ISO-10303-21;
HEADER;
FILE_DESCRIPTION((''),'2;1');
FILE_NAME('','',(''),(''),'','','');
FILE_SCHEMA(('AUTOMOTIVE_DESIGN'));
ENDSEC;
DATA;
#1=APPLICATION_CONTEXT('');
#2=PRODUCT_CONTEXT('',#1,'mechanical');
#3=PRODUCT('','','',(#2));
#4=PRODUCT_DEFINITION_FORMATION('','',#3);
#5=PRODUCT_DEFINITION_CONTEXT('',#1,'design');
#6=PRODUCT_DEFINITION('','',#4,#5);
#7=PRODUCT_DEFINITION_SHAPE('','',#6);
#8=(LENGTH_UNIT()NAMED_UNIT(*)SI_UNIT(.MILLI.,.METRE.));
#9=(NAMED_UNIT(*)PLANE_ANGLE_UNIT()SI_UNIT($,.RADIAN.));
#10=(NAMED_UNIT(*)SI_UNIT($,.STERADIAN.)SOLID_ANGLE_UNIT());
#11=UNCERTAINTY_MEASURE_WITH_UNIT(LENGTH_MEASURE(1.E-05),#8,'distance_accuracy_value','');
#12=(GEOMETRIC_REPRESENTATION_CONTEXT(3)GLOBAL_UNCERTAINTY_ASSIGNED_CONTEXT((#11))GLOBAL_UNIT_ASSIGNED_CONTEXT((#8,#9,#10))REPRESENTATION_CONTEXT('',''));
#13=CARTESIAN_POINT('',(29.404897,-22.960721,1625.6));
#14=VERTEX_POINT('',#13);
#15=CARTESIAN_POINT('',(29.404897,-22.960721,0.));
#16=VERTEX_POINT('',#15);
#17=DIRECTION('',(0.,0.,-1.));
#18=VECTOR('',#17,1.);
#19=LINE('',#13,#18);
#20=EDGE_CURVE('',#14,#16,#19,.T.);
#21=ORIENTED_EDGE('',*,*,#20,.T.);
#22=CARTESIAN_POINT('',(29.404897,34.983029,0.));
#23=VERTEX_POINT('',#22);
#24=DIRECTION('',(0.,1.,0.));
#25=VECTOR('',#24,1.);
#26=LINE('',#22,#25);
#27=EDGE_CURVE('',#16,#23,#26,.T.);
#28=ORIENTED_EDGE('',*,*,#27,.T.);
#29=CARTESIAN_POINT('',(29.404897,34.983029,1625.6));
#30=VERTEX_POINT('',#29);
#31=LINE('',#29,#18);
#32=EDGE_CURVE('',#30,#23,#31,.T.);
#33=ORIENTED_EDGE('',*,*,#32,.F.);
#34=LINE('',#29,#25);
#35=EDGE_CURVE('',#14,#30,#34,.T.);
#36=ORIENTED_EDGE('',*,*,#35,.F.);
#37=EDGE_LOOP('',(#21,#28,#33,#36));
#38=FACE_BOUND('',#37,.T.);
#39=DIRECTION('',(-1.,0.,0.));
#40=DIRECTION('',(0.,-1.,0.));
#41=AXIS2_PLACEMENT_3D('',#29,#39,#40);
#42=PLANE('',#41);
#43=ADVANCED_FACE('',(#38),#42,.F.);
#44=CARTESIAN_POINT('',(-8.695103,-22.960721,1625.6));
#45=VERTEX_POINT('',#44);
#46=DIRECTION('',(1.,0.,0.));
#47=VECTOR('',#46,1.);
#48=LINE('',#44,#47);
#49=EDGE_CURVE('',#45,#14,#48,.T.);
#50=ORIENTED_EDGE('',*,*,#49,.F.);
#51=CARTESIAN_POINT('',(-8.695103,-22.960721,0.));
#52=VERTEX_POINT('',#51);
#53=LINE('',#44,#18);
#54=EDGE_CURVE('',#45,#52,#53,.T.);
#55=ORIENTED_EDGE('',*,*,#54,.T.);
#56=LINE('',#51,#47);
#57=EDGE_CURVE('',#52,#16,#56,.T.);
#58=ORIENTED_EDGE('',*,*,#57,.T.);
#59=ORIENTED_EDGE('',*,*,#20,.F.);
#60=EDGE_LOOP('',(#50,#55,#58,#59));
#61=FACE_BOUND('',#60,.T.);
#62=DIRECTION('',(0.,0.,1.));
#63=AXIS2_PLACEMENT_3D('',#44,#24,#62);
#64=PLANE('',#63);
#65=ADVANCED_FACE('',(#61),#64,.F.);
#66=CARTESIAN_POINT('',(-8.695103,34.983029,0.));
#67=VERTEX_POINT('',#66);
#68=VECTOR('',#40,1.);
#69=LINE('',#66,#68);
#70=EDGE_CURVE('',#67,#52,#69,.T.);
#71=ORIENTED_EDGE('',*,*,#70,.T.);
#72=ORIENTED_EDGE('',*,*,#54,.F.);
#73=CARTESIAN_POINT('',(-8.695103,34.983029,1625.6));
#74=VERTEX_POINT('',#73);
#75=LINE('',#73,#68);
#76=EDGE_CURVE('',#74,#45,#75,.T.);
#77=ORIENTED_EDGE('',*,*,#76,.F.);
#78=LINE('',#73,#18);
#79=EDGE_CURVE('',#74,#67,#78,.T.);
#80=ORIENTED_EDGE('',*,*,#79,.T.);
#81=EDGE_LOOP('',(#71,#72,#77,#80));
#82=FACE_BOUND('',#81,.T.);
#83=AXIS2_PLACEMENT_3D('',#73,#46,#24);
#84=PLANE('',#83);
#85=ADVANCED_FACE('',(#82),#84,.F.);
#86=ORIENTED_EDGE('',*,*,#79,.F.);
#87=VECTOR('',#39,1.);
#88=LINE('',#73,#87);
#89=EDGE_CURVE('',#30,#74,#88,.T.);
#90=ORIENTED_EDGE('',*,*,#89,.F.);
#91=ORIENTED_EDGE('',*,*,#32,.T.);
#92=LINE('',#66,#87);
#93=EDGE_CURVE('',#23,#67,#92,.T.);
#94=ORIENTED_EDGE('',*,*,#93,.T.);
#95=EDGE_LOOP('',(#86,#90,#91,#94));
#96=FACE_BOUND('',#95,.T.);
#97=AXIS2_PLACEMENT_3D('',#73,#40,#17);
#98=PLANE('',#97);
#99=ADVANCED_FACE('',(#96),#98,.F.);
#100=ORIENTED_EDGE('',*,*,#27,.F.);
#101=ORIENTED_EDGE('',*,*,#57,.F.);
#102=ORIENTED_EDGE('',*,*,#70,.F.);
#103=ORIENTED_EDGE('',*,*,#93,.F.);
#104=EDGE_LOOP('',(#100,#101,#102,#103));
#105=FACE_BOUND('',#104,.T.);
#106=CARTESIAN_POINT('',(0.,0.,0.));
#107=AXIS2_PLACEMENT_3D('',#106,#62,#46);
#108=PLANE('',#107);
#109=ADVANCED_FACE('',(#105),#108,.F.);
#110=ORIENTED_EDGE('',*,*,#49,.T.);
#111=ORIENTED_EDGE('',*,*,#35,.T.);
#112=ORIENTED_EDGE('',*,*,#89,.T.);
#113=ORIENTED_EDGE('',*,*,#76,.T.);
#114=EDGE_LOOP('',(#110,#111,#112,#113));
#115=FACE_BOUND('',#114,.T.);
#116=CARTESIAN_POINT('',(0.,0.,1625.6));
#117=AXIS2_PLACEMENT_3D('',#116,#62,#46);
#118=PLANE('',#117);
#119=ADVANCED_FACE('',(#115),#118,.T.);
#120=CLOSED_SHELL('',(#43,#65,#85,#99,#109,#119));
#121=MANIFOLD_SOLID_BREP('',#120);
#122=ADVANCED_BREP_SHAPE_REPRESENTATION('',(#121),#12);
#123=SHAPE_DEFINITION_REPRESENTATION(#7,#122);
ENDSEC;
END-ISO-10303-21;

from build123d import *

# Parameters (mm, degrees)
SKETCH1_W           = 38.1
SKETCH1_H           = 57.94375
BOSS_EXTRUDE1_DEPTH = 1625.6


with BuildPart() as part:
    # Sketch1 → Boss-Extrude1 (new body)
    with BuildSketch(Plane.XY):
        with Locations((10.354897237, 6.011153832)):
            Rectangle(SKETCH1_W, SKETCH1_H)
    extrude(amount=BOSS_EXTRUDE1_DEPTH)


solid = part.part
